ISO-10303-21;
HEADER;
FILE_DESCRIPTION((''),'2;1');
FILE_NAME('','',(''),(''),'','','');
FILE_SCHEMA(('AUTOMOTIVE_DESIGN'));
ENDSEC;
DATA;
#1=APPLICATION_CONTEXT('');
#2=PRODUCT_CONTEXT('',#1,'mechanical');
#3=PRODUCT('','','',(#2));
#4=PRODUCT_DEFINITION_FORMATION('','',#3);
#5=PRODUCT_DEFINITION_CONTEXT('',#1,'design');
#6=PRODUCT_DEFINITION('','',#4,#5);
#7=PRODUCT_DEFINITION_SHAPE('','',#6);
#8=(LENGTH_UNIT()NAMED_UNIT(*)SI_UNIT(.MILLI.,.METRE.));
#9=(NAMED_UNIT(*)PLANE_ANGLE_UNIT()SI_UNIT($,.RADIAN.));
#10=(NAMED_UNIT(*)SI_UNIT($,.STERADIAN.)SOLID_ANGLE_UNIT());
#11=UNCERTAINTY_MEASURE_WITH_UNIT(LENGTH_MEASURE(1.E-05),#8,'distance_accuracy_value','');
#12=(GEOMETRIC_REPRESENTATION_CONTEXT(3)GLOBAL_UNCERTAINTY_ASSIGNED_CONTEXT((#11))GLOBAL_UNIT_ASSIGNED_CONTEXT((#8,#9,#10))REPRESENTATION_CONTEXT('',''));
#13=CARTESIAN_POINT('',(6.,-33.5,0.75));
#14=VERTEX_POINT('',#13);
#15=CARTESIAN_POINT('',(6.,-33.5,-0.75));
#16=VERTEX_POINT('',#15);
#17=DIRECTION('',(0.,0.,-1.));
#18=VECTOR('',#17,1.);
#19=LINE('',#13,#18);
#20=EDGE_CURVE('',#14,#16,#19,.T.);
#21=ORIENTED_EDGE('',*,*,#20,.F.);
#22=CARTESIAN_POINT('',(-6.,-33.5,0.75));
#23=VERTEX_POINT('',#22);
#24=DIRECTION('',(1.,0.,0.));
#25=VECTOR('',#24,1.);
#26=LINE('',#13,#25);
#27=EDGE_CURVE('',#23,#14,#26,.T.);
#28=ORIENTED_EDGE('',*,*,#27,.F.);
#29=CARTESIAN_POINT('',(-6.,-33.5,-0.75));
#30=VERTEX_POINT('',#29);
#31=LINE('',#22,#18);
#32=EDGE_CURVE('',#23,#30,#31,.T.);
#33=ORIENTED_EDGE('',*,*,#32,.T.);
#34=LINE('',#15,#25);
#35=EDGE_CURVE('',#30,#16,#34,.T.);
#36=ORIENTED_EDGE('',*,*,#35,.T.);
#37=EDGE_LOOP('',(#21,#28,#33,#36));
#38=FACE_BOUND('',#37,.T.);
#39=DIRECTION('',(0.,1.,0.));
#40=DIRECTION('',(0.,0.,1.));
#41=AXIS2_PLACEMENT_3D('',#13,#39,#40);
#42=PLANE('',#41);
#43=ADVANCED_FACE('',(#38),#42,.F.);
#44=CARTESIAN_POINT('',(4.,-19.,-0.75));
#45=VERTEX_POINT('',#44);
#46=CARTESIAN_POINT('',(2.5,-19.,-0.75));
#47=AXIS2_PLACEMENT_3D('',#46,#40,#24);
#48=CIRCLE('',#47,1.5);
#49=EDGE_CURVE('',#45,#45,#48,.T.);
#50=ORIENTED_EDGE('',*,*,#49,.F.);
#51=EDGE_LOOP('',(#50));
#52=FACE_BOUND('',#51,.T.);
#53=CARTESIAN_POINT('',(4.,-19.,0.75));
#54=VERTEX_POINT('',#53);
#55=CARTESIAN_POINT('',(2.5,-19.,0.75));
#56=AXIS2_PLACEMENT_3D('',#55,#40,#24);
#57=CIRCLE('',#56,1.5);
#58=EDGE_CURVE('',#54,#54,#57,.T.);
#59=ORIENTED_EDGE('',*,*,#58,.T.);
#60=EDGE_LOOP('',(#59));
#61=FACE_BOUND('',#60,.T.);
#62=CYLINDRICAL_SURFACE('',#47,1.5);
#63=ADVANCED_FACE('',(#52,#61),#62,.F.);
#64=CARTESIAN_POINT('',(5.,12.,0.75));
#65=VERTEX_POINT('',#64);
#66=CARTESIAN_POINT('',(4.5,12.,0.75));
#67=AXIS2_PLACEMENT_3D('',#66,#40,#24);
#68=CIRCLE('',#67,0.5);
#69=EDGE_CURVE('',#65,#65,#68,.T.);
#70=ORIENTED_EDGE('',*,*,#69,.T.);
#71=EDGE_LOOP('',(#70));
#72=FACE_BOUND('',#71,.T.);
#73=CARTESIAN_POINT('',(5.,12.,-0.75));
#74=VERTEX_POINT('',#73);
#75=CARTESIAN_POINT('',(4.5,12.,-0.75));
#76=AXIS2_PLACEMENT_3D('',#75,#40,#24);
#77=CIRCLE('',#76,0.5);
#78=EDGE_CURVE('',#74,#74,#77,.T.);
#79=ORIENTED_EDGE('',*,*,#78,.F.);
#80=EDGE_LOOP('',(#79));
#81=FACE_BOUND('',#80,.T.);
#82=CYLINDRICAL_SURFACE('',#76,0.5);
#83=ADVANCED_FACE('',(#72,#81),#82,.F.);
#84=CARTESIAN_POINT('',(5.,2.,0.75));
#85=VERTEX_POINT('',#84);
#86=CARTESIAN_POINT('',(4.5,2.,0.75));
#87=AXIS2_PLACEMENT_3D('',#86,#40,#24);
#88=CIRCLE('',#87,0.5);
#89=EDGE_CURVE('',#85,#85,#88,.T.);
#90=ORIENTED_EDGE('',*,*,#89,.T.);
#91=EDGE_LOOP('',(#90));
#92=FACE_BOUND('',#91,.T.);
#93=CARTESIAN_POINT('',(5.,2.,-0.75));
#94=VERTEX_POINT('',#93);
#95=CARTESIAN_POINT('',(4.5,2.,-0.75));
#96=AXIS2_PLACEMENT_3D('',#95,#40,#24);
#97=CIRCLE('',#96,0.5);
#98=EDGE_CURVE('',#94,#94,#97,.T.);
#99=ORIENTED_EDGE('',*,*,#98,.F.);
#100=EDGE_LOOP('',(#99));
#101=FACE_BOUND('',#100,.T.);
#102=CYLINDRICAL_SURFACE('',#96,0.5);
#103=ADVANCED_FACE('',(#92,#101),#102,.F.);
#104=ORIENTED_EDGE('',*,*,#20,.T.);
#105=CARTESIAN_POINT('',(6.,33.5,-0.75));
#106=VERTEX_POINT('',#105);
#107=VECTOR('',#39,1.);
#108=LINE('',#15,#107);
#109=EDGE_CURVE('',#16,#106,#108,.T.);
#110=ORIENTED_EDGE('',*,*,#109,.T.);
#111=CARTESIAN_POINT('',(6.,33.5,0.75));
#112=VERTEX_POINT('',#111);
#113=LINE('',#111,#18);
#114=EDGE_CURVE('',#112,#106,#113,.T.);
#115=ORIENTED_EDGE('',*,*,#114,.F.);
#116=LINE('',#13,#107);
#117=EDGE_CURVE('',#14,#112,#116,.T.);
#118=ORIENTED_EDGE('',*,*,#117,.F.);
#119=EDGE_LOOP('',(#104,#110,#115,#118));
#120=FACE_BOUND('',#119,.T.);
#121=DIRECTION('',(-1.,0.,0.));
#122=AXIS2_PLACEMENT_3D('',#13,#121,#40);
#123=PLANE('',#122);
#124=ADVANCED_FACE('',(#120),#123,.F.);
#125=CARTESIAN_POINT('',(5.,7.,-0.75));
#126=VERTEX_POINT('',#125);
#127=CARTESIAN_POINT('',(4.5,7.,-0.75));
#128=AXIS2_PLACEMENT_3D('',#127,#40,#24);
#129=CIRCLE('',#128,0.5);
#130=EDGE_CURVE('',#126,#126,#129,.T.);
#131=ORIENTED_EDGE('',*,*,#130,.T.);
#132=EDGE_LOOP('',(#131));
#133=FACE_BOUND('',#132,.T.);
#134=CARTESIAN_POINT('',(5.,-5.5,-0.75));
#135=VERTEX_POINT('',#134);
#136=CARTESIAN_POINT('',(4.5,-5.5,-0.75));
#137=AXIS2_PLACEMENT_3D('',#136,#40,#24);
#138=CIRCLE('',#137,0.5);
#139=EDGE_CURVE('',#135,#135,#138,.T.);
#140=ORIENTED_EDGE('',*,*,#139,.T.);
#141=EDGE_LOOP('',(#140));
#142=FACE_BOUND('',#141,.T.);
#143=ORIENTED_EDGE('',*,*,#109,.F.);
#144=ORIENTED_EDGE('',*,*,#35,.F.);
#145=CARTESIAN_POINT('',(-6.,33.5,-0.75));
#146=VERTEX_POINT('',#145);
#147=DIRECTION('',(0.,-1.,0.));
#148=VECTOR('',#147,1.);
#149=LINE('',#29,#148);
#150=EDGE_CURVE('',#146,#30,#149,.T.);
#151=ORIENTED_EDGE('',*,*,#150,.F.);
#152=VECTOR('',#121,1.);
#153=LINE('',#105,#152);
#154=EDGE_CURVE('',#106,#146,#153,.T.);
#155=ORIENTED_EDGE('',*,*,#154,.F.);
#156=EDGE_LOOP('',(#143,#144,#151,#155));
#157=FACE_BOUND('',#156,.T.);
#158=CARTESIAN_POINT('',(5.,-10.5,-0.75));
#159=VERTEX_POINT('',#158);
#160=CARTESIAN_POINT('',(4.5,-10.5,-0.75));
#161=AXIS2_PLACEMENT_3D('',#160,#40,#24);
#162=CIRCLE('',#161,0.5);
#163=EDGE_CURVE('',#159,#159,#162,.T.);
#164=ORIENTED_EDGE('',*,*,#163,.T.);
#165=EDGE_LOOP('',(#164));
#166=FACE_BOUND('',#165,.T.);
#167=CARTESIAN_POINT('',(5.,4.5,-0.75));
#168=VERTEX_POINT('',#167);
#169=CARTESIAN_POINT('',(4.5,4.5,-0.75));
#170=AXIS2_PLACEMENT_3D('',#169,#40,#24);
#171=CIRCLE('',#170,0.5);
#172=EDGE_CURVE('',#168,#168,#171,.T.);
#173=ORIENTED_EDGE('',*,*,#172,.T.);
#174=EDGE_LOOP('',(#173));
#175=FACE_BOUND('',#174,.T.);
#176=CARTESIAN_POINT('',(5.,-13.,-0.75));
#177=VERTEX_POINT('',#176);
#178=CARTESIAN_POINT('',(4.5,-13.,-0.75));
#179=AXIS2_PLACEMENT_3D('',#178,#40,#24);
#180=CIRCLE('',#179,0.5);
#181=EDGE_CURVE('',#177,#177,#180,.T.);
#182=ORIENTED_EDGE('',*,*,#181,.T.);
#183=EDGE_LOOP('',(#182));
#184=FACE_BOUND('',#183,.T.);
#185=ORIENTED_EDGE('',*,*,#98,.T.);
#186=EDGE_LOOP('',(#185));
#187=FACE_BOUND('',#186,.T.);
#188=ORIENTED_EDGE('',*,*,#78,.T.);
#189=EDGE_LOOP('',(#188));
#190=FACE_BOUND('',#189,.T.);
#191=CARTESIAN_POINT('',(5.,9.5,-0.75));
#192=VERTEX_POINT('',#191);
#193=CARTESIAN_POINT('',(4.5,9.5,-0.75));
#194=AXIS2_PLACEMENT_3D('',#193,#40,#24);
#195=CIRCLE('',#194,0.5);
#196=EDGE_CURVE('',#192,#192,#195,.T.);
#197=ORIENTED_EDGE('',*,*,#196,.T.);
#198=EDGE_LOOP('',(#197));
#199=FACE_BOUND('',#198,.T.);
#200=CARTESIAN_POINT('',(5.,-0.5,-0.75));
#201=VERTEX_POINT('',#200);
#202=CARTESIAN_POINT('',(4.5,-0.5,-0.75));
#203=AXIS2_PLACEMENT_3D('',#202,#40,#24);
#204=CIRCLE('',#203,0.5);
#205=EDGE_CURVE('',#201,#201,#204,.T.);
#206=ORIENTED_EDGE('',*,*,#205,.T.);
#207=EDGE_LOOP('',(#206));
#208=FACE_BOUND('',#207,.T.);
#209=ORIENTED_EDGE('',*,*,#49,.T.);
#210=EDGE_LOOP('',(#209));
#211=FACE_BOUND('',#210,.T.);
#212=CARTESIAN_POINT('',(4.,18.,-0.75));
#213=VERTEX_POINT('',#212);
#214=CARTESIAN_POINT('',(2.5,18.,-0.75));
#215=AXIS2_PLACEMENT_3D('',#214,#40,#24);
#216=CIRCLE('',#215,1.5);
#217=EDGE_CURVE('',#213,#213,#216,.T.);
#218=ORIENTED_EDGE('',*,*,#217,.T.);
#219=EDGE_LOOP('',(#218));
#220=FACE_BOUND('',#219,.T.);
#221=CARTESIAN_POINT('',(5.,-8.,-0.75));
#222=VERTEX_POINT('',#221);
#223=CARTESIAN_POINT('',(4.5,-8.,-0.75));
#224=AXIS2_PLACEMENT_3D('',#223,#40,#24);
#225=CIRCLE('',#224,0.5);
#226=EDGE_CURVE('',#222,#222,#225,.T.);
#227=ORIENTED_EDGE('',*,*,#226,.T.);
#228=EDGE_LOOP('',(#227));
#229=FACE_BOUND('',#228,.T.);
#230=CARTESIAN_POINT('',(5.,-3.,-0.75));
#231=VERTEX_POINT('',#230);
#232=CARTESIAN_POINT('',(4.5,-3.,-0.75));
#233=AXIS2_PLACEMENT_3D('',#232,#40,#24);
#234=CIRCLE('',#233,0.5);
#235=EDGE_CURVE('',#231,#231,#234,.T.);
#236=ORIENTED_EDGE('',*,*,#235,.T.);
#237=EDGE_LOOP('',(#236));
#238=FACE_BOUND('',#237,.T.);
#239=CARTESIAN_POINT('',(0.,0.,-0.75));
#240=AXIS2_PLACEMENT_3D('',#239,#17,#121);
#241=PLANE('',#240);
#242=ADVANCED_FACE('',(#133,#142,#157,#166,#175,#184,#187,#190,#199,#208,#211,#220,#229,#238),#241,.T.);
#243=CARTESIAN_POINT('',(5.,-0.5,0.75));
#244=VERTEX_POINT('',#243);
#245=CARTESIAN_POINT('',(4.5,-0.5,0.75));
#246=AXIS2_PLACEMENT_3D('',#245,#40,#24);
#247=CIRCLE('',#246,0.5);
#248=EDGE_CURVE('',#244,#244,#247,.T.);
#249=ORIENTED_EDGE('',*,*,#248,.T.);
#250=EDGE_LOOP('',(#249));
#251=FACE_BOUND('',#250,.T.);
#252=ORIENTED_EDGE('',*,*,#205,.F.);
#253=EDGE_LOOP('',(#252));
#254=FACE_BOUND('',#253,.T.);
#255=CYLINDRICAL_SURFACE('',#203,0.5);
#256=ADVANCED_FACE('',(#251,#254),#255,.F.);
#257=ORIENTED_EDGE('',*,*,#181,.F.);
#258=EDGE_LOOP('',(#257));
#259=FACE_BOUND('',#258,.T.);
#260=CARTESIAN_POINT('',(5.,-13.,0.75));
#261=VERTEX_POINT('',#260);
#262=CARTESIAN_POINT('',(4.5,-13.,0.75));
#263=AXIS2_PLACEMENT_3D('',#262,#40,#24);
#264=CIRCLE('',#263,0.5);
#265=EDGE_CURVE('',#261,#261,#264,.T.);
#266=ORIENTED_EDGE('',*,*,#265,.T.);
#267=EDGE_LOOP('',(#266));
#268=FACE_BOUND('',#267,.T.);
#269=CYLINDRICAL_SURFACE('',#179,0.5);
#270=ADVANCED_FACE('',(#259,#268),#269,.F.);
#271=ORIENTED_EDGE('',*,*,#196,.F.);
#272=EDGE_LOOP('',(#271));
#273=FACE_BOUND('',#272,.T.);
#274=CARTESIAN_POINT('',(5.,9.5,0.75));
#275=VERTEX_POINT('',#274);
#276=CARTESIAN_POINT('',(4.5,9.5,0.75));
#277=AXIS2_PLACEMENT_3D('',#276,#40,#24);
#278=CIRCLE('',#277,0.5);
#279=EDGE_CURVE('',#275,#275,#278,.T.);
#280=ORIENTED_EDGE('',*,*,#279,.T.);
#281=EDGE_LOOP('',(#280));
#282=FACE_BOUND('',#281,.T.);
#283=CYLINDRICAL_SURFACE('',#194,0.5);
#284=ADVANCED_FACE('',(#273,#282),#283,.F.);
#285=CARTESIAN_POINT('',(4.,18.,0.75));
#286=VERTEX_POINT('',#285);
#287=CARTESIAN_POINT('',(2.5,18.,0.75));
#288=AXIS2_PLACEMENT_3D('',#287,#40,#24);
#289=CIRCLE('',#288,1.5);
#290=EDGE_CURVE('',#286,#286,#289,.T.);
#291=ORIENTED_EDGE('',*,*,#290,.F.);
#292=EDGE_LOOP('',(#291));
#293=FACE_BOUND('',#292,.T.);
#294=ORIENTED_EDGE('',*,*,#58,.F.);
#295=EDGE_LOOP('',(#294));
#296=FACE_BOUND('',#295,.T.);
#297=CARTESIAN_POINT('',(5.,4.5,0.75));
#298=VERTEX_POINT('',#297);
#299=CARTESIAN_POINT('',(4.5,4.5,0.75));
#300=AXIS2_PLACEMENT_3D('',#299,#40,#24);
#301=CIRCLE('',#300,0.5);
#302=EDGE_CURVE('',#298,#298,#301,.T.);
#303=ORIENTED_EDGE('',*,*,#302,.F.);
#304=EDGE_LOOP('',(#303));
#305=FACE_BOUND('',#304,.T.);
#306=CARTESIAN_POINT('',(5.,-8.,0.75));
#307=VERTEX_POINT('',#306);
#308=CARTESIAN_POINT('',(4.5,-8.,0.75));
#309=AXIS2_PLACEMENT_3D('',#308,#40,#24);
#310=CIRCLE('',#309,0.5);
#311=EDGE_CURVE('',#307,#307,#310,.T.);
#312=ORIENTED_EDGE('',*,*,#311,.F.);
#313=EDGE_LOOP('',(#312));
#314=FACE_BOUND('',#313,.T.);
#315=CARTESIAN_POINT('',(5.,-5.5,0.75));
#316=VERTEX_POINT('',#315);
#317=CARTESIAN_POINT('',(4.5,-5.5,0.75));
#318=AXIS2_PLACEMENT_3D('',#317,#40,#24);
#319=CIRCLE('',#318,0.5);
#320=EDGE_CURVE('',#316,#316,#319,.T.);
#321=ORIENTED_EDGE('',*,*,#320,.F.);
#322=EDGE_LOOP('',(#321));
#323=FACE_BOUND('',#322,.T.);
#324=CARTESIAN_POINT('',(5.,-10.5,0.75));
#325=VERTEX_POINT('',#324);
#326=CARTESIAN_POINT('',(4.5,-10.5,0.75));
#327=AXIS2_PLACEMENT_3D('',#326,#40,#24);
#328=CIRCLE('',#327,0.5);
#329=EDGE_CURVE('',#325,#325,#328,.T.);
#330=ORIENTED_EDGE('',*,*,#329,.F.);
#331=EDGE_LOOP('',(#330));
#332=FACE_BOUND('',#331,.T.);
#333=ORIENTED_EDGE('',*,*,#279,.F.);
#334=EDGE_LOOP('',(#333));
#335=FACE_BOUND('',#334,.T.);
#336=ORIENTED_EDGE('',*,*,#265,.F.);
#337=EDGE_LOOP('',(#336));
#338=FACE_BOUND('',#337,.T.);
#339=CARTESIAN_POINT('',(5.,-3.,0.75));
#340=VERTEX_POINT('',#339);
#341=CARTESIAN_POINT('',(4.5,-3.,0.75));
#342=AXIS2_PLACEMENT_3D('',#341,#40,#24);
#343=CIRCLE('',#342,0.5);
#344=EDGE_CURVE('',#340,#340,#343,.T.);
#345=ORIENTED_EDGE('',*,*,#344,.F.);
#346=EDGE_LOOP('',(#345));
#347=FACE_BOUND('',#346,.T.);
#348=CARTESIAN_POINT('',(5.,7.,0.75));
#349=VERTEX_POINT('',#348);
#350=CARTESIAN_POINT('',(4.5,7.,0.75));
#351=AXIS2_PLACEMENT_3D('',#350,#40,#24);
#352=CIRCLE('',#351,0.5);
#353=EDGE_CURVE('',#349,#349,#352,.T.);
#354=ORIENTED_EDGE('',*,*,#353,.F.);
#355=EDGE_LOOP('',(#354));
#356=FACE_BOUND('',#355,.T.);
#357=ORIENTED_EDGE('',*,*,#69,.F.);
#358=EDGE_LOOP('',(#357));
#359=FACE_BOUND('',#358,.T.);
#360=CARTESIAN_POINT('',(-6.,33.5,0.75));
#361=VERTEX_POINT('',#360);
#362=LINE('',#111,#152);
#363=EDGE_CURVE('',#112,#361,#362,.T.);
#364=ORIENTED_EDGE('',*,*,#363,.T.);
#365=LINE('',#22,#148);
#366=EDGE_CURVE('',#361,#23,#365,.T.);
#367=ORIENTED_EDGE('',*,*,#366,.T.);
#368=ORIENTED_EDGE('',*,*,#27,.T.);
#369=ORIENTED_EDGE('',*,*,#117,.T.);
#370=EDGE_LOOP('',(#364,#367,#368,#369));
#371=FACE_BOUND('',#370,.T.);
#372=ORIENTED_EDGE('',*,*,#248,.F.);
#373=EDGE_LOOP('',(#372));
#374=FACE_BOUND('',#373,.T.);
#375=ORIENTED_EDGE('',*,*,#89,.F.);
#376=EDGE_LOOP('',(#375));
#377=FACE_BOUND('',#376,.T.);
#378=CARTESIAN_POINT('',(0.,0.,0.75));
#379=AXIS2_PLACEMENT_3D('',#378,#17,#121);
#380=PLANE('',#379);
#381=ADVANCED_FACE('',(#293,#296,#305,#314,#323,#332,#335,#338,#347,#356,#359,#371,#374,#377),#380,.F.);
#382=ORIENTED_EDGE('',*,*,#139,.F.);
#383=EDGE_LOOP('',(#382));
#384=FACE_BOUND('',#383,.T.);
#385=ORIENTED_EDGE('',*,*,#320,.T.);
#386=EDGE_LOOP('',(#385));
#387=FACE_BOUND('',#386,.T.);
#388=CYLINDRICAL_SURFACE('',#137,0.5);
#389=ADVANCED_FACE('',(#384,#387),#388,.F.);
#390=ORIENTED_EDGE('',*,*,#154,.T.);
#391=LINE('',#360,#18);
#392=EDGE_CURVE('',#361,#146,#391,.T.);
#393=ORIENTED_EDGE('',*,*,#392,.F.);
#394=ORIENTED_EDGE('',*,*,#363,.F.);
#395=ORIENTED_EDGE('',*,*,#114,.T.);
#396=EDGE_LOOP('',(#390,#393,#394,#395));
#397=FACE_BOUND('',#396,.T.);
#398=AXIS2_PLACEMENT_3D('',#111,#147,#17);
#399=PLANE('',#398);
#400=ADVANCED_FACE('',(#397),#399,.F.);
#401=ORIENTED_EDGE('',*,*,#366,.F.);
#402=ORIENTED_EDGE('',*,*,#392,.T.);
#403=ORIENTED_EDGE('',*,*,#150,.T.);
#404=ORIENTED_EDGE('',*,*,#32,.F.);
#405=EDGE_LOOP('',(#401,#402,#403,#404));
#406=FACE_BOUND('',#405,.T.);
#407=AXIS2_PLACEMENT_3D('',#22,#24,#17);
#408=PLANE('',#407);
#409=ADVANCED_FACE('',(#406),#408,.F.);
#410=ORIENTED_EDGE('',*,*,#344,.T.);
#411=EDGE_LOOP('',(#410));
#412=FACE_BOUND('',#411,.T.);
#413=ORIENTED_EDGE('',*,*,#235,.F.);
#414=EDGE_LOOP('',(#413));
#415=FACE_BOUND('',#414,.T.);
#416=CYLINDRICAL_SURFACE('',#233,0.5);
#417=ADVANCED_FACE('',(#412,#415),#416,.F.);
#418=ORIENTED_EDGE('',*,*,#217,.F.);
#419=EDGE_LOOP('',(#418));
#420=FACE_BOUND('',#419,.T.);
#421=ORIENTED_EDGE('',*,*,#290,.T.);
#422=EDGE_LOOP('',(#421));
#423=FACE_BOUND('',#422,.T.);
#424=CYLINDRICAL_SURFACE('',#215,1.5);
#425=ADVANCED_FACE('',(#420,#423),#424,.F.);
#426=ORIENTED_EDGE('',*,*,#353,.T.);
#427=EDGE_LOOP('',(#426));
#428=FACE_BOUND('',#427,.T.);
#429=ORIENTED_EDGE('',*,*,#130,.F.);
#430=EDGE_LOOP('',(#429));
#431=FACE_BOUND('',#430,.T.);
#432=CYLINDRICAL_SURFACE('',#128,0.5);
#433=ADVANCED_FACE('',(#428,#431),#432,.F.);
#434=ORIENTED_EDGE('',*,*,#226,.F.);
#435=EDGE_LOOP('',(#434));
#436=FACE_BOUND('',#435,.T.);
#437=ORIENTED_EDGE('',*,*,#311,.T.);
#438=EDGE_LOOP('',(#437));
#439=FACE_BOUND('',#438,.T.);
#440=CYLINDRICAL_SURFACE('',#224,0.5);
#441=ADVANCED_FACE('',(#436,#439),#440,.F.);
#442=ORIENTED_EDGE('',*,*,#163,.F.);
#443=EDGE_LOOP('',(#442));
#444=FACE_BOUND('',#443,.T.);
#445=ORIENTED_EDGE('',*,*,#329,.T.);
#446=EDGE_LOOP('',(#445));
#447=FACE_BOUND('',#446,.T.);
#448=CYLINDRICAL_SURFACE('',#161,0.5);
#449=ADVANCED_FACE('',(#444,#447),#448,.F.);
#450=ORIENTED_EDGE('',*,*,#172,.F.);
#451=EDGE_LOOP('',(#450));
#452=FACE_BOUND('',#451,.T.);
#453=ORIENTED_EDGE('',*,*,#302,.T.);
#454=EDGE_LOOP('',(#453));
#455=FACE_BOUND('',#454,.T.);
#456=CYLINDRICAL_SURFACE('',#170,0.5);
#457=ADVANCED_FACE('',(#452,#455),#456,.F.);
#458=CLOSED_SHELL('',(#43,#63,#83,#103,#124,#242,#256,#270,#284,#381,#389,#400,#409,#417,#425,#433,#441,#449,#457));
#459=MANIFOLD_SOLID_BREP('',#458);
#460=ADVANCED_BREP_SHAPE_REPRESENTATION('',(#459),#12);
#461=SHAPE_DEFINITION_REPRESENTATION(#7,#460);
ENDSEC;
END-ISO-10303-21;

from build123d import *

# Parameters (mm, degrees)
SKETCH1_W           = 67
SKETCH1_H           = 12
BOSS_EXTRUDE1_DEPTH = 0.75
SKETCH2_R           = 0.5
CUT_EXTRUDE1_DEPTH  = 1.5
SKETCH3_R           = 1.5
CUT_EXTRUDE2_DEPTH  = 1.5


with BuildPart() as part:
    # Sketch1 → Boss-Extrude1 (new, symmetric)
    with BuildSketch(Plane(origin=(0, 0, 0), x_dir=(0, 1, 0), z_dir=(0, 0, 1))):
        Rectangle(SKETCH1_W, SKETCH1_H)
    extrude(amount=BOSS_EXTRUDE1_DEPTH, both=True)

    # Sketch2 → Cut-Extrude1 (cut)
    with BuildSketch(Plane.XY.offset(0.75)):
        with Locations((4.5, -13)):
            Circle(SKETCH2_R)
        with Locations((4.5, -10.5)):
            Circle(SKETCH2_R)
        with Locations((4.5, -8)):
            Circle(SKETCH2_R)
        with Locations((4.5, -5.5)):
            Circle(SKETCH2_R)
        with Locations((4.5, -3)):
            Circle(SKETCH2_R)
        with Locations((4.5, -0.5)):
            Circle(SKETCH2_R)
        with Locations((4.5, 2)):
            Circle(SKETCH2_R)
        with Locations((4.5, 4.5)):
            Circle(SKETCH2_R)
        with Locations((4.5, 7)):
            Circle(SKETCH2_R)
        with Locations((4.5, 9.5)):
            Circle(SKETCH2_R)
        with Locations((4.5, 12)):
            Circle(SKETCH2_R)
    extrude(amount=-CUT_EXTRUDE1_DEPTH, mode=Mode.SUBTRACT)

    # Sketch3 → Cut-Extrude2 (cut)
    with BuildSketch(Plane.XY.offset(0.75)):
        with Locations((2.5, -19)):
            Circle(SKETCH3_R)
        with Locations((2.5, 18)):
            Circle(SKETCH3_R)
    extrude(amount=-CUT_EXTRUDE2_DEPTH, mode=Mode.SUBTRACT)


solid = part.part
